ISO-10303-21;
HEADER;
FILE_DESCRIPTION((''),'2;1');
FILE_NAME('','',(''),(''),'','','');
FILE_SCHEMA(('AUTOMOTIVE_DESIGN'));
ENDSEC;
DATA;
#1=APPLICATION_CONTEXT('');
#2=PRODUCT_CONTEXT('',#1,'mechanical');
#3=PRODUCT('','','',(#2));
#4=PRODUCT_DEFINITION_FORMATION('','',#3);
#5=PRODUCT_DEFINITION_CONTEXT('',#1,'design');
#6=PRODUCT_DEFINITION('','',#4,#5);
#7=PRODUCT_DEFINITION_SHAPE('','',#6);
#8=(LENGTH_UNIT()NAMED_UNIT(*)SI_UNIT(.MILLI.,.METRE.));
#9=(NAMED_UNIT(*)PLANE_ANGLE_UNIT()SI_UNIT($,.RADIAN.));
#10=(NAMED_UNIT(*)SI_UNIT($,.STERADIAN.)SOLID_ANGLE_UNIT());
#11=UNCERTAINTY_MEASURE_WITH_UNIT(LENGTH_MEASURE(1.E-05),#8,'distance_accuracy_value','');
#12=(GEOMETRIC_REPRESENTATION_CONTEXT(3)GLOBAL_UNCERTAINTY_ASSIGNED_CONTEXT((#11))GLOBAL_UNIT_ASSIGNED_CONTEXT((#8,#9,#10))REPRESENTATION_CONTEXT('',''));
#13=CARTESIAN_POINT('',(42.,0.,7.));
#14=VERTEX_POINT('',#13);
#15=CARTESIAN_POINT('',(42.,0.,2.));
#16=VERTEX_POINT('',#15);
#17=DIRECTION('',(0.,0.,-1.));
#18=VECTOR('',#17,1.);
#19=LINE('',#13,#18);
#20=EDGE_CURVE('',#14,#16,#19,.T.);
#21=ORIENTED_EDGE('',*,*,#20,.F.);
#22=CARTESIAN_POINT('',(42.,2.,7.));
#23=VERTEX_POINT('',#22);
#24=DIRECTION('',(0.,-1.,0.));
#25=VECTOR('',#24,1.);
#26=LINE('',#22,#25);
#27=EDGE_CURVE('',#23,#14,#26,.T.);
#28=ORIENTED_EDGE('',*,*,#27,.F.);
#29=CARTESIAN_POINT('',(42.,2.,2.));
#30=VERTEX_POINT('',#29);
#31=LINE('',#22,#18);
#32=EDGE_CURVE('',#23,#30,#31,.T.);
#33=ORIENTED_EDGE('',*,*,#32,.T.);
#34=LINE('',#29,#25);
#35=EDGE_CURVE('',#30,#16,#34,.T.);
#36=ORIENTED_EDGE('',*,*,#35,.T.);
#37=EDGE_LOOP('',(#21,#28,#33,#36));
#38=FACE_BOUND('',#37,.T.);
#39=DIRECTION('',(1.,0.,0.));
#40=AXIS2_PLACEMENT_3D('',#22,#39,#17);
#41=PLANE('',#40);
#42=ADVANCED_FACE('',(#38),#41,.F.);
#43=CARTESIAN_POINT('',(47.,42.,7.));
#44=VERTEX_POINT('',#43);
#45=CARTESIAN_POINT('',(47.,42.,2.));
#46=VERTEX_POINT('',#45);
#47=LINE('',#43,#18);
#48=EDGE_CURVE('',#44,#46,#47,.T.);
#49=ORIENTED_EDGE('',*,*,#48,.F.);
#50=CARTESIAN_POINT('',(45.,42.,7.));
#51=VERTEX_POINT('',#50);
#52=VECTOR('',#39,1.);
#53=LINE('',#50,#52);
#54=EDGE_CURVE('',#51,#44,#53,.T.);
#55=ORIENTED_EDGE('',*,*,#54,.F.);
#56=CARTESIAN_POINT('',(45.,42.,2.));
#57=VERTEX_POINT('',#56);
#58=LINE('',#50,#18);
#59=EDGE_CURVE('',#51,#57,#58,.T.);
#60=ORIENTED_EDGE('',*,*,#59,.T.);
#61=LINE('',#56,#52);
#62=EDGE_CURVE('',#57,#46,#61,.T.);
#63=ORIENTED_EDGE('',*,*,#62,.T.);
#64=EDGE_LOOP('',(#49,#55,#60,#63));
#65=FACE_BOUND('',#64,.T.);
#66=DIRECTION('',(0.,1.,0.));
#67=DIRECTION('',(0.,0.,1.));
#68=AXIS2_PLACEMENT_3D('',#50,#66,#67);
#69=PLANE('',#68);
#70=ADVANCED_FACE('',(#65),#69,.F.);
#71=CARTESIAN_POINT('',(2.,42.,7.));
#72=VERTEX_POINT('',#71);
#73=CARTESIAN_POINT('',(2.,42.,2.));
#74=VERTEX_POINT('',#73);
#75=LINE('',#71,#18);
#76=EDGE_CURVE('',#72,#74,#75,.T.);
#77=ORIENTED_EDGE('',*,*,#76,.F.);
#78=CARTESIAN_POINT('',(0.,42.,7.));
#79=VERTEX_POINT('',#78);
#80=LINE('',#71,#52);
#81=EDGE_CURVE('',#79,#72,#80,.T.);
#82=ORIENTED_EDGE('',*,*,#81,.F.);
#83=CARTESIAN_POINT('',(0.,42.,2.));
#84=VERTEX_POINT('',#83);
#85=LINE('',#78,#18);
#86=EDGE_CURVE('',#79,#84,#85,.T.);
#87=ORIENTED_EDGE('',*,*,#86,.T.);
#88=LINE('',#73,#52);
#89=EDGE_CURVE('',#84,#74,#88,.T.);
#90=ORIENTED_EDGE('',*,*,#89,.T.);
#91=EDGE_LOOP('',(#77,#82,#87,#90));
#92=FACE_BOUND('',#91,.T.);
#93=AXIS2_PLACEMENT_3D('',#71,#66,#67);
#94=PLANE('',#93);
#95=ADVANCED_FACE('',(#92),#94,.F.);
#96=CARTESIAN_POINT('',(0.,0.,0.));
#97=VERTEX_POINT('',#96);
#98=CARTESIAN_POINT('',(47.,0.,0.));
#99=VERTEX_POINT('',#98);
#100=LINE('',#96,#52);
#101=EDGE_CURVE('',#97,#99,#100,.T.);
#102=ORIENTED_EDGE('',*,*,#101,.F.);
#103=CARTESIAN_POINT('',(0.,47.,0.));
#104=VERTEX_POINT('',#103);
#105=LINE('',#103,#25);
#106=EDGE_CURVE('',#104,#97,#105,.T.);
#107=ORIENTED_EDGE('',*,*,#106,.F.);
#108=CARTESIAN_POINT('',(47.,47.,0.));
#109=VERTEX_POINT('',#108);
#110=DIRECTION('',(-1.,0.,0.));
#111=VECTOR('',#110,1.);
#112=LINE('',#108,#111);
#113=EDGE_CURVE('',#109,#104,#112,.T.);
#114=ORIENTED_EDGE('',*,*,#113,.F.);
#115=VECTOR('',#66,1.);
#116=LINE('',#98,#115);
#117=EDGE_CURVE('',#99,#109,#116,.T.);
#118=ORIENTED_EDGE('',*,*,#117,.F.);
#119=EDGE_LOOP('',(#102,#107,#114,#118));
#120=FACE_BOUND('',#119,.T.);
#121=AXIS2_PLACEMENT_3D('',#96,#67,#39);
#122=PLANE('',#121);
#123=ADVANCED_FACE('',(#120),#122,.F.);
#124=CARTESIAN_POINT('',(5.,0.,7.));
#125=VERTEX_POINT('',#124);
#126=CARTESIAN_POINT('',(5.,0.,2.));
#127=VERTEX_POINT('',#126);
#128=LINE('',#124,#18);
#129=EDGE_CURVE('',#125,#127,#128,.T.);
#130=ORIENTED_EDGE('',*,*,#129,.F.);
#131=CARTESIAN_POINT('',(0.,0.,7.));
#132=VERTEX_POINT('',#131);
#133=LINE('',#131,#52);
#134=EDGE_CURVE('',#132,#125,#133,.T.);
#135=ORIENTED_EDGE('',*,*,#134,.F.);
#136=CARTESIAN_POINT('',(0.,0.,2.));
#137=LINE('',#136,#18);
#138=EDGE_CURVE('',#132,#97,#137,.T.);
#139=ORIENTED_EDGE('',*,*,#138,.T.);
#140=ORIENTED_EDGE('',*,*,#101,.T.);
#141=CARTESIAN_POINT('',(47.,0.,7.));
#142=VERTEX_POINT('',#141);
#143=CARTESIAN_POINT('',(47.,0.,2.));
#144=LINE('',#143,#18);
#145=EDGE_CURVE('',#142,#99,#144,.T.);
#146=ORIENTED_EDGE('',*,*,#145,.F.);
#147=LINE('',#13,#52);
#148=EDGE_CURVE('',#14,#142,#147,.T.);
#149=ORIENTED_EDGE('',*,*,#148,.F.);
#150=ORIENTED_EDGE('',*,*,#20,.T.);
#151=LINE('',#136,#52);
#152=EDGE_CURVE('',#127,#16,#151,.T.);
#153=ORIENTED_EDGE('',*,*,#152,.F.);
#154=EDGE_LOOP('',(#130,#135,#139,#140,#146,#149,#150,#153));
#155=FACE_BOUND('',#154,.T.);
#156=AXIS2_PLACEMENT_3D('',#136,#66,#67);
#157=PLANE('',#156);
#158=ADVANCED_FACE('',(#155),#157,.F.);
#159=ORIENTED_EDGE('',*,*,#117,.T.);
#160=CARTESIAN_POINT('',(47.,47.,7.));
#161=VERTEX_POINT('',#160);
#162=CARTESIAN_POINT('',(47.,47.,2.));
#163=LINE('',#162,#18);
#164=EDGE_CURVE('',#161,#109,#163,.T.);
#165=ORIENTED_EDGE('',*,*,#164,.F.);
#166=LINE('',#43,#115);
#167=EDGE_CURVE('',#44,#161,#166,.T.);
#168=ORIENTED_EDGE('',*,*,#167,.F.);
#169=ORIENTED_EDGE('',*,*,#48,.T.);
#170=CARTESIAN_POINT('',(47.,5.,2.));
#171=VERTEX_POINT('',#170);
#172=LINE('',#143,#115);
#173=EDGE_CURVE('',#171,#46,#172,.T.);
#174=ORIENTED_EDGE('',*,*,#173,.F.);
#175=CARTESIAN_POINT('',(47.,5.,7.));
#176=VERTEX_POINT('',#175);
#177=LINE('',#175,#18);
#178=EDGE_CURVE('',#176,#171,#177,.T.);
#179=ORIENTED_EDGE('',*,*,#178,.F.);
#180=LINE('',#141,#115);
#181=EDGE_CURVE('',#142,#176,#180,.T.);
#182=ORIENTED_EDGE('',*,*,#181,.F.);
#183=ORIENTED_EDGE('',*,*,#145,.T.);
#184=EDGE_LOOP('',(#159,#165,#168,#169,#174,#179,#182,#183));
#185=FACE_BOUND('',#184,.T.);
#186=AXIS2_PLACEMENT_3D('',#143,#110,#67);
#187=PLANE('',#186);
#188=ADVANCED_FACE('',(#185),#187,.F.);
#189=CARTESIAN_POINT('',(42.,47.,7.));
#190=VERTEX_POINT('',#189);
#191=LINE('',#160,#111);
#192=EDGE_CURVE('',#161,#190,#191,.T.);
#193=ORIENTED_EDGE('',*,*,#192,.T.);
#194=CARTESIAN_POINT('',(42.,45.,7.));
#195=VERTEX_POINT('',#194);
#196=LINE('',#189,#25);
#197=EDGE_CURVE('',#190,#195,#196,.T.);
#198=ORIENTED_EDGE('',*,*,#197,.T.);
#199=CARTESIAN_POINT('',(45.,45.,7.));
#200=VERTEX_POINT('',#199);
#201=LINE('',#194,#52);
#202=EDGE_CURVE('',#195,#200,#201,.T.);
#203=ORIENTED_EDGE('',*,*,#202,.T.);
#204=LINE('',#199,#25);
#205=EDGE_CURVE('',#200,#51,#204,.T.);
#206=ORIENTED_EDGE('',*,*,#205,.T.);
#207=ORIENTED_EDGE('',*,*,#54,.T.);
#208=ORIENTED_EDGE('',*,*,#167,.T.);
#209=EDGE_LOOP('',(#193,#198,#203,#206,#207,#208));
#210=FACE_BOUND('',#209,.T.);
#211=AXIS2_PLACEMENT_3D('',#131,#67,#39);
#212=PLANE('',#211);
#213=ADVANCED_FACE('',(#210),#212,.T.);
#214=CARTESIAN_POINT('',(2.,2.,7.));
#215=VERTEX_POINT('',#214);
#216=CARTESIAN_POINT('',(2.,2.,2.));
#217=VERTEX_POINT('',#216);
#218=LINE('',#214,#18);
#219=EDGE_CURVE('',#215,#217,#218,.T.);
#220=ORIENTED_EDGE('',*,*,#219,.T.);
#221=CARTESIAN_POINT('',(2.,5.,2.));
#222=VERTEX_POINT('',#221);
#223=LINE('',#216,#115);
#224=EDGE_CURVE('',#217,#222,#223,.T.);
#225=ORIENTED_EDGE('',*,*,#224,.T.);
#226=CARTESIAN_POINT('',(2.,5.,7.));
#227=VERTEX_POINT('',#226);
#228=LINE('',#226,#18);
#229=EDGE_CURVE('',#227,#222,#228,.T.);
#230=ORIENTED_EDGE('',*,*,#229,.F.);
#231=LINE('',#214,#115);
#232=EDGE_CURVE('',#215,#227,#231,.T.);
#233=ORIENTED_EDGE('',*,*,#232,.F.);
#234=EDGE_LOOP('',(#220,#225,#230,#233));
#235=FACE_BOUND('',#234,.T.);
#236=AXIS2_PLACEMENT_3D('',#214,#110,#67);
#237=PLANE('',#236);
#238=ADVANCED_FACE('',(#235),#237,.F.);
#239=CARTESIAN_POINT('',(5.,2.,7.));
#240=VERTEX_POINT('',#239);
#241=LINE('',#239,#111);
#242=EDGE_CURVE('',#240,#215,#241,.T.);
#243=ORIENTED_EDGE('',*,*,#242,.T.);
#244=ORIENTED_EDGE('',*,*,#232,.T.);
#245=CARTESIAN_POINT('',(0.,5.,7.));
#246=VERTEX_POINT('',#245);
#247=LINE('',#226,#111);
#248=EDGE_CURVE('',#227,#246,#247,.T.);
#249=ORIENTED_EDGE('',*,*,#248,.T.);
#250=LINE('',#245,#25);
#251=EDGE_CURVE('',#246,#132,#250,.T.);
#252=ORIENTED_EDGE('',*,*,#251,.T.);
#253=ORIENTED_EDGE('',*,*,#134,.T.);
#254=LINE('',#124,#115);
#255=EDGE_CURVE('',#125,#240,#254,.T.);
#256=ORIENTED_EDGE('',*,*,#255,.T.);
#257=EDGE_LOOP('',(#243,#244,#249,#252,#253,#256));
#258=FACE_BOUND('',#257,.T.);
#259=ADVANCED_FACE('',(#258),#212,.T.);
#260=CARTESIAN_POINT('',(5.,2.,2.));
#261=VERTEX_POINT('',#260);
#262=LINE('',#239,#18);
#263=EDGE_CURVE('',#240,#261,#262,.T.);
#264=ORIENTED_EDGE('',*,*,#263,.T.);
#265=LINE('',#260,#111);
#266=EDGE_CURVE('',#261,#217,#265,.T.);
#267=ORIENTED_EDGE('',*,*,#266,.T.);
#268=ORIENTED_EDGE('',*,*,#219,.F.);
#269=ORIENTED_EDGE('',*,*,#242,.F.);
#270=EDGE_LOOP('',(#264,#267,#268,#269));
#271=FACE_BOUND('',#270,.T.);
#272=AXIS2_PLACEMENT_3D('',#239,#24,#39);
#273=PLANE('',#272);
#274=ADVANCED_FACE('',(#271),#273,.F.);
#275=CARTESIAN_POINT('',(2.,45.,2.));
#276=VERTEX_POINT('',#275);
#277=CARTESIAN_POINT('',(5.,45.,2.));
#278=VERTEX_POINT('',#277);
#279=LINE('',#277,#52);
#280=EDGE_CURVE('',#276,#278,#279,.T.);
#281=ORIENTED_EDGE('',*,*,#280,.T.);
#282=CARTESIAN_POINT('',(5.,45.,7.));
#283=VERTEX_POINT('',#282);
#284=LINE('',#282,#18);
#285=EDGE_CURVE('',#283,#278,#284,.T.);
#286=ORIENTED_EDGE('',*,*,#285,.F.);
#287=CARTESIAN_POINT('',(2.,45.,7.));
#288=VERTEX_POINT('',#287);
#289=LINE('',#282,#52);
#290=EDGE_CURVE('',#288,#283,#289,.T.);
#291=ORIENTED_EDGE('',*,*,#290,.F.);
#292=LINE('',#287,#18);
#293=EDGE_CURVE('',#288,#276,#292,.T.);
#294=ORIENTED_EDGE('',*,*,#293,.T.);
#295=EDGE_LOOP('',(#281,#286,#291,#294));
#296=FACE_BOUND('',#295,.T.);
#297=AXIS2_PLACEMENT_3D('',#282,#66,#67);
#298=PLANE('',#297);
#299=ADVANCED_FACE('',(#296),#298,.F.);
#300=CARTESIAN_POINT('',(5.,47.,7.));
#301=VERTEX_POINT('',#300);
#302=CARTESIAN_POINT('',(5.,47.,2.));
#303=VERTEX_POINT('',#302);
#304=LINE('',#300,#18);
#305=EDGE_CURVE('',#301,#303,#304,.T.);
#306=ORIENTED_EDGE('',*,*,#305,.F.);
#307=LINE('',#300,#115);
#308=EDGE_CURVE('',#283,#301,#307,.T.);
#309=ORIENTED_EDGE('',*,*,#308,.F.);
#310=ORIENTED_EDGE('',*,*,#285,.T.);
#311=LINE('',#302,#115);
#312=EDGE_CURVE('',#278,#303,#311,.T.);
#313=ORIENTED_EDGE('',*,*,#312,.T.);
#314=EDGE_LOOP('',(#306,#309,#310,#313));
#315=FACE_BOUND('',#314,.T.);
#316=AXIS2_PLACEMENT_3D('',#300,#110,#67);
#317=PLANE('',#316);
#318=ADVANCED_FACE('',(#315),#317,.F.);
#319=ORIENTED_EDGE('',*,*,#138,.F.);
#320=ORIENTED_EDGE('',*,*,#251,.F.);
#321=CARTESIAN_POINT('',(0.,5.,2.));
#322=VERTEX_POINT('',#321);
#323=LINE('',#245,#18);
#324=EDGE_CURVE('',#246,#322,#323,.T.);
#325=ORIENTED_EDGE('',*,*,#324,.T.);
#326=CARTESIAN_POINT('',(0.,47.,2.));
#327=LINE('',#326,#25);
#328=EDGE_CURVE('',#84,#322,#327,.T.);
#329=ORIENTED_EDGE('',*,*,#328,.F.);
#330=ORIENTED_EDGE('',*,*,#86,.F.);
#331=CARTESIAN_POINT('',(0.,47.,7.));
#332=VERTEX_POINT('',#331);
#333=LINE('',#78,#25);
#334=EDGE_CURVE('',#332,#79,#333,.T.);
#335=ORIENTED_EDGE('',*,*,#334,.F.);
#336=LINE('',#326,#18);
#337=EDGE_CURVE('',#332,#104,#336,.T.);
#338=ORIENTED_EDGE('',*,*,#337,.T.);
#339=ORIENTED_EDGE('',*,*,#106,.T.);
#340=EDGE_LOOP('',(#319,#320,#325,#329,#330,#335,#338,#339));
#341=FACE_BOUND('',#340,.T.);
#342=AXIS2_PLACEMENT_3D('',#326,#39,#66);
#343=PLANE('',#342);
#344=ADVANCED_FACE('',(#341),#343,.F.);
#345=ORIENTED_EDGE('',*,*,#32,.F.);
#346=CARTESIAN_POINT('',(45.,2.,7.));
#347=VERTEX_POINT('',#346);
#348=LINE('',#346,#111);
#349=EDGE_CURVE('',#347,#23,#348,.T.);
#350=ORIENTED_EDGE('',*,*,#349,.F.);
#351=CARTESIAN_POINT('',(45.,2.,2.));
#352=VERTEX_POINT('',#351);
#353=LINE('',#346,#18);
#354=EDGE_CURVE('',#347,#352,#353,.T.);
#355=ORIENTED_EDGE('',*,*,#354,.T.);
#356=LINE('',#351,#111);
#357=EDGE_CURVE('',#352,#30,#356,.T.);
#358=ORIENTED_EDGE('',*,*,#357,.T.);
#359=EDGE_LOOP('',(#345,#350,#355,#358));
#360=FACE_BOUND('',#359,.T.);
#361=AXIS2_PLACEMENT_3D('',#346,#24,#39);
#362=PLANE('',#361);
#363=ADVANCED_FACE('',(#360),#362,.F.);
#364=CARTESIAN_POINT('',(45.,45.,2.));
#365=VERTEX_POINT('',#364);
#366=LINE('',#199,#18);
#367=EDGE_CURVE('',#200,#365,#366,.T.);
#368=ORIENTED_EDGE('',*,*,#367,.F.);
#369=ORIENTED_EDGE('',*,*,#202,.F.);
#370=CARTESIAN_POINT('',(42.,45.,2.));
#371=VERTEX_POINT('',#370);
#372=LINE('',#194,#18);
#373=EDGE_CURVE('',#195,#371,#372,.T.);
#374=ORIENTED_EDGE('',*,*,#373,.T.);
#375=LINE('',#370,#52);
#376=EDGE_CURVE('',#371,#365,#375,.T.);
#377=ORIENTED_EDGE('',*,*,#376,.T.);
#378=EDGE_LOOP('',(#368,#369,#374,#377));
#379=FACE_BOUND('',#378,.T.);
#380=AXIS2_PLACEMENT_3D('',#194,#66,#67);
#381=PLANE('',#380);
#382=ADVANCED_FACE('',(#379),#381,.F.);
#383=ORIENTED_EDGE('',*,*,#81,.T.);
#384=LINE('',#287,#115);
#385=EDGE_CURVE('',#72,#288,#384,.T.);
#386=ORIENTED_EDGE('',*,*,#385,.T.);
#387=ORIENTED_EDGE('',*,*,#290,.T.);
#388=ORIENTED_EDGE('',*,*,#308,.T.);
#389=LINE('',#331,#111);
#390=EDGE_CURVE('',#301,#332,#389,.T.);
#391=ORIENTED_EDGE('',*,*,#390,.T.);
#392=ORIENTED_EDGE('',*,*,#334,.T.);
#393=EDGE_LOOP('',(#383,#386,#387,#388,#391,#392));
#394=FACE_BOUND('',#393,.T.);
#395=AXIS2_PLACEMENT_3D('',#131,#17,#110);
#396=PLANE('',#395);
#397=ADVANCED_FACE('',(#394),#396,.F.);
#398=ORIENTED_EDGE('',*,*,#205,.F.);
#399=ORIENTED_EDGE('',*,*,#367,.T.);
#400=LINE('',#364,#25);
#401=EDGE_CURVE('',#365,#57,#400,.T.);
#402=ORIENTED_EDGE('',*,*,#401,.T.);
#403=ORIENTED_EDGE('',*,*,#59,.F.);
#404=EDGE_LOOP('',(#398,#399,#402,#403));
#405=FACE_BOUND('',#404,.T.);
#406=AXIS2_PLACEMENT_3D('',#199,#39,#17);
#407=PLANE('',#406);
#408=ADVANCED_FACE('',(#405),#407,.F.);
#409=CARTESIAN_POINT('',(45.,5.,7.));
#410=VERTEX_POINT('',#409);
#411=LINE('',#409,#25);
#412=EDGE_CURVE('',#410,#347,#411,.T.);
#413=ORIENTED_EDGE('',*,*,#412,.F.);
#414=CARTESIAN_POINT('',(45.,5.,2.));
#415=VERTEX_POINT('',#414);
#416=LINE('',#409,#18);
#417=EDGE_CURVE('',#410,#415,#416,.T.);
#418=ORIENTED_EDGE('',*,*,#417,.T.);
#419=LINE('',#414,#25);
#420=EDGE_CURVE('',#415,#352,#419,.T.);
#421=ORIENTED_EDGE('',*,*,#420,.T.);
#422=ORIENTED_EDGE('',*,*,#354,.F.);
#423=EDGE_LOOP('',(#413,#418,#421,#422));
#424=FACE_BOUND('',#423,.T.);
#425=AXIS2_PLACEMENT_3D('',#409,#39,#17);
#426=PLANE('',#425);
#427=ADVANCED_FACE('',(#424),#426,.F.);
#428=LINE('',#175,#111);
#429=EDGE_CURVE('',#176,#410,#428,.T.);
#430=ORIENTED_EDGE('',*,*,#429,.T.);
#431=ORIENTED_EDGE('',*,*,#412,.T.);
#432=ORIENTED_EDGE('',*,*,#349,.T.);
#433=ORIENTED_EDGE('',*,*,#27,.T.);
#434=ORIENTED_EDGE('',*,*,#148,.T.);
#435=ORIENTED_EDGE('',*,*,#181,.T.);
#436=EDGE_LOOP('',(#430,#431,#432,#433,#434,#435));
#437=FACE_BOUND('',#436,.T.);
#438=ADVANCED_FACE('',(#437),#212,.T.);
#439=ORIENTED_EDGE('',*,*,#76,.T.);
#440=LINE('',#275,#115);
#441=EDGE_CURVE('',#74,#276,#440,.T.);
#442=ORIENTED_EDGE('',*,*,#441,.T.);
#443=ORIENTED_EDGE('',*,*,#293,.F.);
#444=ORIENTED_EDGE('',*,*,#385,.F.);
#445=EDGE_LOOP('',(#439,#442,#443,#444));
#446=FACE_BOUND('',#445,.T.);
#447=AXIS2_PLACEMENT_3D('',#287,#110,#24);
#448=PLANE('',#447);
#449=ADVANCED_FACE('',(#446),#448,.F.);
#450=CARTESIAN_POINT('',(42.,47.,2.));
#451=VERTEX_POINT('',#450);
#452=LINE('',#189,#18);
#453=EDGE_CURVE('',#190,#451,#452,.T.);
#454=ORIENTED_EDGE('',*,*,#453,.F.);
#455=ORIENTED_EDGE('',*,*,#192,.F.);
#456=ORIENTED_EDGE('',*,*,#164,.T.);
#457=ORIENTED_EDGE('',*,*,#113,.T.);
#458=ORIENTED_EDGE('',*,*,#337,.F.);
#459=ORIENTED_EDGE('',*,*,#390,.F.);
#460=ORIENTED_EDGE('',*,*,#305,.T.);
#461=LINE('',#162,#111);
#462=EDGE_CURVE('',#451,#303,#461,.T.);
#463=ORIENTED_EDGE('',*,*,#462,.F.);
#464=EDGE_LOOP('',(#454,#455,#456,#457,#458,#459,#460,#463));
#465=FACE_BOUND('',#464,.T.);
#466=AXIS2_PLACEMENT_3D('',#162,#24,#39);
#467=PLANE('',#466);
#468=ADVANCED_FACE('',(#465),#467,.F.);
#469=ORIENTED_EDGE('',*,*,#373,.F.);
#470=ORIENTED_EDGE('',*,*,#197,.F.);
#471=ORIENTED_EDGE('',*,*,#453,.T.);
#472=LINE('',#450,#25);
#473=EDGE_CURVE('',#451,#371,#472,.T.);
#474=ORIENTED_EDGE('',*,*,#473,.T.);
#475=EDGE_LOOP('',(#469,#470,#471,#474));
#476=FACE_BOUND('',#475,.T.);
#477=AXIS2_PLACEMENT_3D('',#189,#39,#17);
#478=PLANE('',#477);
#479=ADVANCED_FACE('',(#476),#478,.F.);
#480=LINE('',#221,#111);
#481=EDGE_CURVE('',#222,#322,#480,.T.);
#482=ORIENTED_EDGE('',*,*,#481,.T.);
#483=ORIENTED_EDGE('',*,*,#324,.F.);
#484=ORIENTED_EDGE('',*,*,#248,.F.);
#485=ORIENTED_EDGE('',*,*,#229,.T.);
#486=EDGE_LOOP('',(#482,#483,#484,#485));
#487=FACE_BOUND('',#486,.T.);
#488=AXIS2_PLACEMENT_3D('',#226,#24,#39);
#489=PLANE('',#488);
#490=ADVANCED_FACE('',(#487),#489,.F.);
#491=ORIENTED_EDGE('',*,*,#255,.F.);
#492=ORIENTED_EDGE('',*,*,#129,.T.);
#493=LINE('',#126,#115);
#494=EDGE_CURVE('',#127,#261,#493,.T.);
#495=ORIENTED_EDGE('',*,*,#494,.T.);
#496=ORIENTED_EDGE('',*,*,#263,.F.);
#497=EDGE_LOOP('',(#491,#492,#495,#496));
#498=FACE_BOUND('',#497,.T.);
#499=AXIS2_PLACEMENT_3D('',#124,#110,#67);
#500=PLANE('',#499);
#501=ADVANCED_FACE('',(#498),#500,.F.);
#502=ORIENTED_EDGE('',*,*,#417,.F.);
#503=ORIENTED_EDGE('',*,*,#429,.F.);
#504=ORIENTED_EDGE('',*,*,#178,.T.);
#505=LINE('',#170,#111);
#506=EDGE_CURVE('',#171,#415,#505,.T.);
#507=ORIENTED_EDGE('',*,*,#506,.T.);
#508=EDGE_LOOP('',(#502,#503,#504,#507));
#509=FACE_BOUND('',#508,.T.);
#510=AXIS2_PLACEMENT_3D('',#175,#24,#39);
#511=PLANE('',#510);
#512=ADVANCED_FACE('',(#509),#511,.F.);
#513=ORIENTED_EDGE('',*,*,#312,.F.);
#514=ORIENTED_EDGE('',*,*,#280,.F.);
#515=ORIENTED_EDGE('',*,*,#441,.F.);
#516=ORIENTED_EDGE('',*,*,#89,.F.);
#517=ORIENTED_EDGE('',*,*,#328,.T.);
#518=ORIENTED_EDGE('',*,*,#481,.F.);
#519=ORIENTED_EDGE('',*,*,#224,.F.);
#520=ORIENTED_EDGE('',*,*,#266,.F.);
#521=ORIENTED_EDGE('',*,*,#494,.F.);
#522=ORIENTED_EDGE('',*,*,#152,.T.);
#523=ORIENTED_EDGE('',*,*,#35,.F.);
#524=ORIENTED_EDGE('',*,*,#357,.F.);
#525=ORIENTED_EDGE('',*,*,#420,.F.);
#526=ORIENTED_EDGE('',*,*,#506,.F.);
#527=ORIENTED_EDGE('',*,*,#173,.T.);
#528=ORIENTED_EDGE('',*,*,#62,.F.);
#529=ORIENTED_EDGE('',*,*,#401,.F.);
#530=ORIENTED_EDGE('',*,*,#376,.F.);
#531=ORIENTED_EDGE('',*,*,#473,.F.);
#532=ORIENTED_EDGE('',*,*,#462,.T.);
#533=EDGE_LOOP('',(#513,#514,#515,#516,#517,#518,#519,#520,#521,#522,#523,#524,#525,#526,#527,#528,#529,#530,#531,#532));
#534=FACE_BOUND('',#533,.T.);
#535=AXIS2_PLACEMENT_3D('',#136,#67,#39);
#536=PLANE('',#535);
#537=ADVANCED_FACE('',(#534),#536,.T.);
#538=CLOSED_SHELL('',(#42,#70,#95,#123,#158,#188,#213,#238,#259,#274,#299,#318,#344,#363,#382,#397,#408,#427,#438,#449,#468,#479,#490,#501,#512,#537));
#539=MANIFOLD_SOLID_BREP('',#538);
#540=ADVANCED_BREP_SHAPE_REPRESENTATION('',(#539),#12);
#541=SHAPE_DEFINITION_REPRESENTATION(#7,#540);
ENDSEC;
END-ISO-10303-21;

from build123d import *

# Parameters (mm, degrees)
SKETCH1_W           = 47
SKETCH1_H           = 47
BOSS_EXTRUDE1_DEPTH = 2
BOSS_EXTRUDE2_DEPTH = 5


with BuildPart() as part:
    # Sketch1 → Boss-Extrude1 (new body)
    with BuildSketch(Plane.XY):
        with Locations((23.5, 23.5)):
            Rectangle(SKETCH1_W, SKETCH1_H)
    extrude(amount=BOSS_EXTRUDE1_DEPTH)

    # Sketch2 → Boss-Extrude2 (add)
    with BuildSketch(Plane.XY.offset(2)):
        Polygon((5, 47), (5, 45), (2, 45), (2, 42), (0, 42), (0, 47), align=None)
        Polygon((42, 47), (42, 45), (45, 45), (45, 42), (47, 42), (47, 47), align=None)
        Polygon((0, 5), (0, 0), (5, 0), (5, 2), (2, 2), (2, 5), align=None)
        Polygon((47, 5), (45, 5), (45, 2), (42, 2), (42, 0), (47, 0), align=None)
    extrude(amount=BOSS_EXTRUDE2_DEPTH)


solid = part.part
